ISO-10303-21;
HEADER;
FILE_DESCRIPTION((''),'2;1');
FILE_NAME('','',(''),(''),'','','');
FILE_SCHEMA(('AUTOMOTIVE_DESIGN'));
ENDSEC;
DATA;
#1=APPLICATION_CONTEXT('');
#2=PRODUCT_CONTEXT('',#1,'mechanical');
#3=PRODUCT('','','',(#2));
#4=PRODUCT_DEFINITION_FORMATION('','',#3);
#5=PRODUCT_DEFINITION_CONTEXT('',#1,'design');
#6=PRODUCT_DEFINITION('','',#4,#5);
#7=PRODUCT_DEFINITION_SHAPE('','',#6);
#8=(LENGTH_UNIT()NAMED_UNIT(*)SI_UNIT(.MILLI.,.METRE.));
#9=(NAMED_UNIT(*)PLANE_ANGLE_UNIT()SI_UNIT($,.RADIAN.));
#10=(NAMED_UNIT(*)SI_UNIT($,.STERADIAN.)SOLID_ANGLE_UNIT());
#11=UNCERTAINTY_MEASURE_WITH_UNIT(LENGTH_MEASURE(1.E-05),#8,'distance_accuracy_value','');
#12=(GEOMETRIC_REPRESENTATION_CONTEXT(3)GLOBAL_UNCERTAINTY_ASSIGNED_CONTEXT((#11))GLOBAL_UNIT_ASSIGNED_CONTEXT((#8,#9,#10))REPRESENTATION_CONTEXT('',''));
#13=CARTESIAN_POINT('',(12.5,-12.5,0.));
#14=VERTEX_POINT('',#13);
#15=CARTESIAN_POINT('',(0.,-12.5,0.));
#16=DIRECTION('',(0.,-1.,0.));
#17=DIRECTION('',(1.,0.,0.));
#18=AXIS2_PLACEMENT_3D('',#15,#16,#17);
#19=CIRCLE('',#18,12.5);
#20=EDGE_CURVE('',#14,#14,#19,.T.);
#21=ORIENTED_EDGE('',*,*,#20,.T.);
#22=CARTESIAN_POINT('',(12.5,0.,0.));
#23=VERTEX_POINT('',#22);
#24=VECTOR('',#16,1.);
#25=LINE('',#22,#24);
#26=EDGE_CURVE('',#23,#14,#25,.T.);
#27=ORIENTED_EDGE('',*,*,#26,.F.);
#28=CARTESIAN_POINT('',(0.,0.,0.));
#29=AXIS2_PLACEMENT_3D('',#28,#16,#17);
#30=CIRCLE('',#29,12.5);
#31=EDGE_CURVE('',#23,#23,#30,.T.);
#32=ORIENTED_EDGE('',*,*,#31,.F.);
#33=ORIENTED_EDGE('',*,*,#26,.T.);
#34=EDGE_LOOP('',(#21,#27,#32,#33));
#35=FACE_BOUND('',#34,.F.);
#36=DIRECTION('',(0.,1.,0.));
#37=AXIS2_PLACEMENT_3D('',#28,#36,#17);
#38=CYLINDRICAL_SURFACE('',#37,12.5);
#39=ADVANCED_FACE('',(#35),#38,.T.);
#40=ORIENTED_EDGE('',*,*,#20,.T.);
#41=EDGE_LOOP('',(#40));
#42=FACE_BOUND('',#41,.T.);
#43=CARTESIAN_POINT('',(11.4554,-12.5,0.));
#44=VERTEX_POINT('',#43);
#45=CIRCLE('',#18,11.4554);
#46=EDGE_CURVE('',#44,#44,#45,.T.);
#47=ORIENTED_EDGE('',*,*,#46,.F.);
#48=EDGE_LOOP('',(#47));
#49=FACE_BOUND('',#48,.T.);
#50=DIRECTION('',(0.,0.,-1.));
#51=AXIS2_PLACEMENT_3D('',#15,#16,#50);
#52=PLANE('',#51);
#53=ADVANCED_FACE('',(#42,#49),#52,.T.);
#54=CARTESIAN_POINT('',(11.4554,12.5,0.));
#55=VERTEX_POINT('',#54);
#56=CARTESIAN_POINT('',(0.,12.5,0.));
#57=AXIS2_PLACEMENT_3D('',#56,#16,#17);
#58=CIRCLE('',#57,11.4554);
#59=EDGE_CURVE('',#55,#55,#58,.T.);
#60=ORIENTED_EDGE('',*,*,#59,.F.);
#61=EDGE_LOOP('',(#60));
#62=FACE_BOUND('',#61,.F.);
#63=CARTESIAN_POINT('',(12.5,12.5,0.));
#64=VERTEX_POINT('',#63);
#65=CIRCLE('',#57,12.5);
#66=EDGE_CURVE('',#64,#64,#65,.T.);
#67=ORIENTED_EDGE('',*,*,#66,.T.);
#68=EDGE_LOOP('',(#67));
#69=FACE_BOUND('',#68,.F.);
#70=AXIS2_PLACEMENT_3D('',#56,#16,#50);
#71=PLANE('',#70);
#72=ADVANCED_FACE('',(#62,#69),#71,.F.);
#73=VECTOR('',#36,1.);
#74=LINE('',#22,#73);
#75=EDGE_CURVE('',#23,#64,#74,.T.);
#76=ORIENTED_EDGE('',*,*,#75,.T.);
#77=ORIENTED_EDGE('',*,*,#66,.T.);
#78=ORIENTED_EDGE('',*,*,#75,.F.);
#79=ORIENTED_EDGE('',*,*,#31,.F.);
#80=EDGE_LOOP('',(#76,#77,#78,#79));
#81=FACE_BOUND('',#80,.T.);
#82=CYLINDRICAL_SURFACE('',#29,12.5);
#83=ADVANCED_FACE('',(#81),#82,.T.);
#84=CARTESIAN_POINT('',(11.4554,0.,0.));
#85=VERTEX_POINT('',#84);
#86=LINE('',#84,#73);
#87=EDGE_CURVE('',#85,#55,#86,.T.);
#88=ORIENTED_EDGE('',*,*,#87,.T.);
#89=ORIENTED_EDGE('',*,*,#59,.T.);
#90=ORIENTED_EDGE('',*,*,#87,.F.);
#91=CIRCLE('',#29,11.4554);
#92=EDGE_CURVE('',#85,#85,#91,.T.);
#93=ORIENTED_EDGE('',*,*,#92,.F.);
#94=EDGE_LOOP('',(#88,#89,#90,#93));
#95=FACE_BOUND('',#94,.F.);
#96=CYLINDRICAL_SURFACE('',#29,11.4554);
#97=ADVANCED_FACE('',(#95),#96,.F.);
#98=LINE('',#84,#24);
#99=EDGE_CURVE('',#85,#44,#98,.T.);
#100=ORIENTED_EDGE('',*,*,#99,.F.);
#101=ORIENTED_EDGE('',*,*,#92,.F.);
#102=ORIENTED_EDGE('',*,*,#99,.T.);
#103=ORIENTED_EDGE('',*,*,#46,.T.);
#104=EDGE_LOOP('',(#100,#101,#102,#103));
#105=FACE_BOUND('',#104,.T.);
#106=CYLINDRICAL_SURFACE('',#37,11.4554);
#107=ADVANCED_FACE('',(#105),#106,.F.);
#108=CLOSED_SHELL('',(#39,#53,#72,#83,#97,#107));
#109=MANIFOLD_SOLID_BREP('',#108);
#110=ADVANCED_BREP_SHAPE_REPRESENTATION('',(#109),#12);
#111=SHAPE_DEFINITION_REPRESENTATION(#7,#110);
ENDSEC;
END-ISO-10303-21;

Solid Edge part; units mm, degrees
sketch "Sketch1" plane through (0, 0, 0) normal (0, -1, 0) x (1, 0, 0)
  circle A0 centre (0, 0) radius 12.5
  circle A1 centre (0, 0) radius 11.4554
extrude "Protrusion1" add sketch "Sketch1" along normal mid plane 25
properties material "Steel"
